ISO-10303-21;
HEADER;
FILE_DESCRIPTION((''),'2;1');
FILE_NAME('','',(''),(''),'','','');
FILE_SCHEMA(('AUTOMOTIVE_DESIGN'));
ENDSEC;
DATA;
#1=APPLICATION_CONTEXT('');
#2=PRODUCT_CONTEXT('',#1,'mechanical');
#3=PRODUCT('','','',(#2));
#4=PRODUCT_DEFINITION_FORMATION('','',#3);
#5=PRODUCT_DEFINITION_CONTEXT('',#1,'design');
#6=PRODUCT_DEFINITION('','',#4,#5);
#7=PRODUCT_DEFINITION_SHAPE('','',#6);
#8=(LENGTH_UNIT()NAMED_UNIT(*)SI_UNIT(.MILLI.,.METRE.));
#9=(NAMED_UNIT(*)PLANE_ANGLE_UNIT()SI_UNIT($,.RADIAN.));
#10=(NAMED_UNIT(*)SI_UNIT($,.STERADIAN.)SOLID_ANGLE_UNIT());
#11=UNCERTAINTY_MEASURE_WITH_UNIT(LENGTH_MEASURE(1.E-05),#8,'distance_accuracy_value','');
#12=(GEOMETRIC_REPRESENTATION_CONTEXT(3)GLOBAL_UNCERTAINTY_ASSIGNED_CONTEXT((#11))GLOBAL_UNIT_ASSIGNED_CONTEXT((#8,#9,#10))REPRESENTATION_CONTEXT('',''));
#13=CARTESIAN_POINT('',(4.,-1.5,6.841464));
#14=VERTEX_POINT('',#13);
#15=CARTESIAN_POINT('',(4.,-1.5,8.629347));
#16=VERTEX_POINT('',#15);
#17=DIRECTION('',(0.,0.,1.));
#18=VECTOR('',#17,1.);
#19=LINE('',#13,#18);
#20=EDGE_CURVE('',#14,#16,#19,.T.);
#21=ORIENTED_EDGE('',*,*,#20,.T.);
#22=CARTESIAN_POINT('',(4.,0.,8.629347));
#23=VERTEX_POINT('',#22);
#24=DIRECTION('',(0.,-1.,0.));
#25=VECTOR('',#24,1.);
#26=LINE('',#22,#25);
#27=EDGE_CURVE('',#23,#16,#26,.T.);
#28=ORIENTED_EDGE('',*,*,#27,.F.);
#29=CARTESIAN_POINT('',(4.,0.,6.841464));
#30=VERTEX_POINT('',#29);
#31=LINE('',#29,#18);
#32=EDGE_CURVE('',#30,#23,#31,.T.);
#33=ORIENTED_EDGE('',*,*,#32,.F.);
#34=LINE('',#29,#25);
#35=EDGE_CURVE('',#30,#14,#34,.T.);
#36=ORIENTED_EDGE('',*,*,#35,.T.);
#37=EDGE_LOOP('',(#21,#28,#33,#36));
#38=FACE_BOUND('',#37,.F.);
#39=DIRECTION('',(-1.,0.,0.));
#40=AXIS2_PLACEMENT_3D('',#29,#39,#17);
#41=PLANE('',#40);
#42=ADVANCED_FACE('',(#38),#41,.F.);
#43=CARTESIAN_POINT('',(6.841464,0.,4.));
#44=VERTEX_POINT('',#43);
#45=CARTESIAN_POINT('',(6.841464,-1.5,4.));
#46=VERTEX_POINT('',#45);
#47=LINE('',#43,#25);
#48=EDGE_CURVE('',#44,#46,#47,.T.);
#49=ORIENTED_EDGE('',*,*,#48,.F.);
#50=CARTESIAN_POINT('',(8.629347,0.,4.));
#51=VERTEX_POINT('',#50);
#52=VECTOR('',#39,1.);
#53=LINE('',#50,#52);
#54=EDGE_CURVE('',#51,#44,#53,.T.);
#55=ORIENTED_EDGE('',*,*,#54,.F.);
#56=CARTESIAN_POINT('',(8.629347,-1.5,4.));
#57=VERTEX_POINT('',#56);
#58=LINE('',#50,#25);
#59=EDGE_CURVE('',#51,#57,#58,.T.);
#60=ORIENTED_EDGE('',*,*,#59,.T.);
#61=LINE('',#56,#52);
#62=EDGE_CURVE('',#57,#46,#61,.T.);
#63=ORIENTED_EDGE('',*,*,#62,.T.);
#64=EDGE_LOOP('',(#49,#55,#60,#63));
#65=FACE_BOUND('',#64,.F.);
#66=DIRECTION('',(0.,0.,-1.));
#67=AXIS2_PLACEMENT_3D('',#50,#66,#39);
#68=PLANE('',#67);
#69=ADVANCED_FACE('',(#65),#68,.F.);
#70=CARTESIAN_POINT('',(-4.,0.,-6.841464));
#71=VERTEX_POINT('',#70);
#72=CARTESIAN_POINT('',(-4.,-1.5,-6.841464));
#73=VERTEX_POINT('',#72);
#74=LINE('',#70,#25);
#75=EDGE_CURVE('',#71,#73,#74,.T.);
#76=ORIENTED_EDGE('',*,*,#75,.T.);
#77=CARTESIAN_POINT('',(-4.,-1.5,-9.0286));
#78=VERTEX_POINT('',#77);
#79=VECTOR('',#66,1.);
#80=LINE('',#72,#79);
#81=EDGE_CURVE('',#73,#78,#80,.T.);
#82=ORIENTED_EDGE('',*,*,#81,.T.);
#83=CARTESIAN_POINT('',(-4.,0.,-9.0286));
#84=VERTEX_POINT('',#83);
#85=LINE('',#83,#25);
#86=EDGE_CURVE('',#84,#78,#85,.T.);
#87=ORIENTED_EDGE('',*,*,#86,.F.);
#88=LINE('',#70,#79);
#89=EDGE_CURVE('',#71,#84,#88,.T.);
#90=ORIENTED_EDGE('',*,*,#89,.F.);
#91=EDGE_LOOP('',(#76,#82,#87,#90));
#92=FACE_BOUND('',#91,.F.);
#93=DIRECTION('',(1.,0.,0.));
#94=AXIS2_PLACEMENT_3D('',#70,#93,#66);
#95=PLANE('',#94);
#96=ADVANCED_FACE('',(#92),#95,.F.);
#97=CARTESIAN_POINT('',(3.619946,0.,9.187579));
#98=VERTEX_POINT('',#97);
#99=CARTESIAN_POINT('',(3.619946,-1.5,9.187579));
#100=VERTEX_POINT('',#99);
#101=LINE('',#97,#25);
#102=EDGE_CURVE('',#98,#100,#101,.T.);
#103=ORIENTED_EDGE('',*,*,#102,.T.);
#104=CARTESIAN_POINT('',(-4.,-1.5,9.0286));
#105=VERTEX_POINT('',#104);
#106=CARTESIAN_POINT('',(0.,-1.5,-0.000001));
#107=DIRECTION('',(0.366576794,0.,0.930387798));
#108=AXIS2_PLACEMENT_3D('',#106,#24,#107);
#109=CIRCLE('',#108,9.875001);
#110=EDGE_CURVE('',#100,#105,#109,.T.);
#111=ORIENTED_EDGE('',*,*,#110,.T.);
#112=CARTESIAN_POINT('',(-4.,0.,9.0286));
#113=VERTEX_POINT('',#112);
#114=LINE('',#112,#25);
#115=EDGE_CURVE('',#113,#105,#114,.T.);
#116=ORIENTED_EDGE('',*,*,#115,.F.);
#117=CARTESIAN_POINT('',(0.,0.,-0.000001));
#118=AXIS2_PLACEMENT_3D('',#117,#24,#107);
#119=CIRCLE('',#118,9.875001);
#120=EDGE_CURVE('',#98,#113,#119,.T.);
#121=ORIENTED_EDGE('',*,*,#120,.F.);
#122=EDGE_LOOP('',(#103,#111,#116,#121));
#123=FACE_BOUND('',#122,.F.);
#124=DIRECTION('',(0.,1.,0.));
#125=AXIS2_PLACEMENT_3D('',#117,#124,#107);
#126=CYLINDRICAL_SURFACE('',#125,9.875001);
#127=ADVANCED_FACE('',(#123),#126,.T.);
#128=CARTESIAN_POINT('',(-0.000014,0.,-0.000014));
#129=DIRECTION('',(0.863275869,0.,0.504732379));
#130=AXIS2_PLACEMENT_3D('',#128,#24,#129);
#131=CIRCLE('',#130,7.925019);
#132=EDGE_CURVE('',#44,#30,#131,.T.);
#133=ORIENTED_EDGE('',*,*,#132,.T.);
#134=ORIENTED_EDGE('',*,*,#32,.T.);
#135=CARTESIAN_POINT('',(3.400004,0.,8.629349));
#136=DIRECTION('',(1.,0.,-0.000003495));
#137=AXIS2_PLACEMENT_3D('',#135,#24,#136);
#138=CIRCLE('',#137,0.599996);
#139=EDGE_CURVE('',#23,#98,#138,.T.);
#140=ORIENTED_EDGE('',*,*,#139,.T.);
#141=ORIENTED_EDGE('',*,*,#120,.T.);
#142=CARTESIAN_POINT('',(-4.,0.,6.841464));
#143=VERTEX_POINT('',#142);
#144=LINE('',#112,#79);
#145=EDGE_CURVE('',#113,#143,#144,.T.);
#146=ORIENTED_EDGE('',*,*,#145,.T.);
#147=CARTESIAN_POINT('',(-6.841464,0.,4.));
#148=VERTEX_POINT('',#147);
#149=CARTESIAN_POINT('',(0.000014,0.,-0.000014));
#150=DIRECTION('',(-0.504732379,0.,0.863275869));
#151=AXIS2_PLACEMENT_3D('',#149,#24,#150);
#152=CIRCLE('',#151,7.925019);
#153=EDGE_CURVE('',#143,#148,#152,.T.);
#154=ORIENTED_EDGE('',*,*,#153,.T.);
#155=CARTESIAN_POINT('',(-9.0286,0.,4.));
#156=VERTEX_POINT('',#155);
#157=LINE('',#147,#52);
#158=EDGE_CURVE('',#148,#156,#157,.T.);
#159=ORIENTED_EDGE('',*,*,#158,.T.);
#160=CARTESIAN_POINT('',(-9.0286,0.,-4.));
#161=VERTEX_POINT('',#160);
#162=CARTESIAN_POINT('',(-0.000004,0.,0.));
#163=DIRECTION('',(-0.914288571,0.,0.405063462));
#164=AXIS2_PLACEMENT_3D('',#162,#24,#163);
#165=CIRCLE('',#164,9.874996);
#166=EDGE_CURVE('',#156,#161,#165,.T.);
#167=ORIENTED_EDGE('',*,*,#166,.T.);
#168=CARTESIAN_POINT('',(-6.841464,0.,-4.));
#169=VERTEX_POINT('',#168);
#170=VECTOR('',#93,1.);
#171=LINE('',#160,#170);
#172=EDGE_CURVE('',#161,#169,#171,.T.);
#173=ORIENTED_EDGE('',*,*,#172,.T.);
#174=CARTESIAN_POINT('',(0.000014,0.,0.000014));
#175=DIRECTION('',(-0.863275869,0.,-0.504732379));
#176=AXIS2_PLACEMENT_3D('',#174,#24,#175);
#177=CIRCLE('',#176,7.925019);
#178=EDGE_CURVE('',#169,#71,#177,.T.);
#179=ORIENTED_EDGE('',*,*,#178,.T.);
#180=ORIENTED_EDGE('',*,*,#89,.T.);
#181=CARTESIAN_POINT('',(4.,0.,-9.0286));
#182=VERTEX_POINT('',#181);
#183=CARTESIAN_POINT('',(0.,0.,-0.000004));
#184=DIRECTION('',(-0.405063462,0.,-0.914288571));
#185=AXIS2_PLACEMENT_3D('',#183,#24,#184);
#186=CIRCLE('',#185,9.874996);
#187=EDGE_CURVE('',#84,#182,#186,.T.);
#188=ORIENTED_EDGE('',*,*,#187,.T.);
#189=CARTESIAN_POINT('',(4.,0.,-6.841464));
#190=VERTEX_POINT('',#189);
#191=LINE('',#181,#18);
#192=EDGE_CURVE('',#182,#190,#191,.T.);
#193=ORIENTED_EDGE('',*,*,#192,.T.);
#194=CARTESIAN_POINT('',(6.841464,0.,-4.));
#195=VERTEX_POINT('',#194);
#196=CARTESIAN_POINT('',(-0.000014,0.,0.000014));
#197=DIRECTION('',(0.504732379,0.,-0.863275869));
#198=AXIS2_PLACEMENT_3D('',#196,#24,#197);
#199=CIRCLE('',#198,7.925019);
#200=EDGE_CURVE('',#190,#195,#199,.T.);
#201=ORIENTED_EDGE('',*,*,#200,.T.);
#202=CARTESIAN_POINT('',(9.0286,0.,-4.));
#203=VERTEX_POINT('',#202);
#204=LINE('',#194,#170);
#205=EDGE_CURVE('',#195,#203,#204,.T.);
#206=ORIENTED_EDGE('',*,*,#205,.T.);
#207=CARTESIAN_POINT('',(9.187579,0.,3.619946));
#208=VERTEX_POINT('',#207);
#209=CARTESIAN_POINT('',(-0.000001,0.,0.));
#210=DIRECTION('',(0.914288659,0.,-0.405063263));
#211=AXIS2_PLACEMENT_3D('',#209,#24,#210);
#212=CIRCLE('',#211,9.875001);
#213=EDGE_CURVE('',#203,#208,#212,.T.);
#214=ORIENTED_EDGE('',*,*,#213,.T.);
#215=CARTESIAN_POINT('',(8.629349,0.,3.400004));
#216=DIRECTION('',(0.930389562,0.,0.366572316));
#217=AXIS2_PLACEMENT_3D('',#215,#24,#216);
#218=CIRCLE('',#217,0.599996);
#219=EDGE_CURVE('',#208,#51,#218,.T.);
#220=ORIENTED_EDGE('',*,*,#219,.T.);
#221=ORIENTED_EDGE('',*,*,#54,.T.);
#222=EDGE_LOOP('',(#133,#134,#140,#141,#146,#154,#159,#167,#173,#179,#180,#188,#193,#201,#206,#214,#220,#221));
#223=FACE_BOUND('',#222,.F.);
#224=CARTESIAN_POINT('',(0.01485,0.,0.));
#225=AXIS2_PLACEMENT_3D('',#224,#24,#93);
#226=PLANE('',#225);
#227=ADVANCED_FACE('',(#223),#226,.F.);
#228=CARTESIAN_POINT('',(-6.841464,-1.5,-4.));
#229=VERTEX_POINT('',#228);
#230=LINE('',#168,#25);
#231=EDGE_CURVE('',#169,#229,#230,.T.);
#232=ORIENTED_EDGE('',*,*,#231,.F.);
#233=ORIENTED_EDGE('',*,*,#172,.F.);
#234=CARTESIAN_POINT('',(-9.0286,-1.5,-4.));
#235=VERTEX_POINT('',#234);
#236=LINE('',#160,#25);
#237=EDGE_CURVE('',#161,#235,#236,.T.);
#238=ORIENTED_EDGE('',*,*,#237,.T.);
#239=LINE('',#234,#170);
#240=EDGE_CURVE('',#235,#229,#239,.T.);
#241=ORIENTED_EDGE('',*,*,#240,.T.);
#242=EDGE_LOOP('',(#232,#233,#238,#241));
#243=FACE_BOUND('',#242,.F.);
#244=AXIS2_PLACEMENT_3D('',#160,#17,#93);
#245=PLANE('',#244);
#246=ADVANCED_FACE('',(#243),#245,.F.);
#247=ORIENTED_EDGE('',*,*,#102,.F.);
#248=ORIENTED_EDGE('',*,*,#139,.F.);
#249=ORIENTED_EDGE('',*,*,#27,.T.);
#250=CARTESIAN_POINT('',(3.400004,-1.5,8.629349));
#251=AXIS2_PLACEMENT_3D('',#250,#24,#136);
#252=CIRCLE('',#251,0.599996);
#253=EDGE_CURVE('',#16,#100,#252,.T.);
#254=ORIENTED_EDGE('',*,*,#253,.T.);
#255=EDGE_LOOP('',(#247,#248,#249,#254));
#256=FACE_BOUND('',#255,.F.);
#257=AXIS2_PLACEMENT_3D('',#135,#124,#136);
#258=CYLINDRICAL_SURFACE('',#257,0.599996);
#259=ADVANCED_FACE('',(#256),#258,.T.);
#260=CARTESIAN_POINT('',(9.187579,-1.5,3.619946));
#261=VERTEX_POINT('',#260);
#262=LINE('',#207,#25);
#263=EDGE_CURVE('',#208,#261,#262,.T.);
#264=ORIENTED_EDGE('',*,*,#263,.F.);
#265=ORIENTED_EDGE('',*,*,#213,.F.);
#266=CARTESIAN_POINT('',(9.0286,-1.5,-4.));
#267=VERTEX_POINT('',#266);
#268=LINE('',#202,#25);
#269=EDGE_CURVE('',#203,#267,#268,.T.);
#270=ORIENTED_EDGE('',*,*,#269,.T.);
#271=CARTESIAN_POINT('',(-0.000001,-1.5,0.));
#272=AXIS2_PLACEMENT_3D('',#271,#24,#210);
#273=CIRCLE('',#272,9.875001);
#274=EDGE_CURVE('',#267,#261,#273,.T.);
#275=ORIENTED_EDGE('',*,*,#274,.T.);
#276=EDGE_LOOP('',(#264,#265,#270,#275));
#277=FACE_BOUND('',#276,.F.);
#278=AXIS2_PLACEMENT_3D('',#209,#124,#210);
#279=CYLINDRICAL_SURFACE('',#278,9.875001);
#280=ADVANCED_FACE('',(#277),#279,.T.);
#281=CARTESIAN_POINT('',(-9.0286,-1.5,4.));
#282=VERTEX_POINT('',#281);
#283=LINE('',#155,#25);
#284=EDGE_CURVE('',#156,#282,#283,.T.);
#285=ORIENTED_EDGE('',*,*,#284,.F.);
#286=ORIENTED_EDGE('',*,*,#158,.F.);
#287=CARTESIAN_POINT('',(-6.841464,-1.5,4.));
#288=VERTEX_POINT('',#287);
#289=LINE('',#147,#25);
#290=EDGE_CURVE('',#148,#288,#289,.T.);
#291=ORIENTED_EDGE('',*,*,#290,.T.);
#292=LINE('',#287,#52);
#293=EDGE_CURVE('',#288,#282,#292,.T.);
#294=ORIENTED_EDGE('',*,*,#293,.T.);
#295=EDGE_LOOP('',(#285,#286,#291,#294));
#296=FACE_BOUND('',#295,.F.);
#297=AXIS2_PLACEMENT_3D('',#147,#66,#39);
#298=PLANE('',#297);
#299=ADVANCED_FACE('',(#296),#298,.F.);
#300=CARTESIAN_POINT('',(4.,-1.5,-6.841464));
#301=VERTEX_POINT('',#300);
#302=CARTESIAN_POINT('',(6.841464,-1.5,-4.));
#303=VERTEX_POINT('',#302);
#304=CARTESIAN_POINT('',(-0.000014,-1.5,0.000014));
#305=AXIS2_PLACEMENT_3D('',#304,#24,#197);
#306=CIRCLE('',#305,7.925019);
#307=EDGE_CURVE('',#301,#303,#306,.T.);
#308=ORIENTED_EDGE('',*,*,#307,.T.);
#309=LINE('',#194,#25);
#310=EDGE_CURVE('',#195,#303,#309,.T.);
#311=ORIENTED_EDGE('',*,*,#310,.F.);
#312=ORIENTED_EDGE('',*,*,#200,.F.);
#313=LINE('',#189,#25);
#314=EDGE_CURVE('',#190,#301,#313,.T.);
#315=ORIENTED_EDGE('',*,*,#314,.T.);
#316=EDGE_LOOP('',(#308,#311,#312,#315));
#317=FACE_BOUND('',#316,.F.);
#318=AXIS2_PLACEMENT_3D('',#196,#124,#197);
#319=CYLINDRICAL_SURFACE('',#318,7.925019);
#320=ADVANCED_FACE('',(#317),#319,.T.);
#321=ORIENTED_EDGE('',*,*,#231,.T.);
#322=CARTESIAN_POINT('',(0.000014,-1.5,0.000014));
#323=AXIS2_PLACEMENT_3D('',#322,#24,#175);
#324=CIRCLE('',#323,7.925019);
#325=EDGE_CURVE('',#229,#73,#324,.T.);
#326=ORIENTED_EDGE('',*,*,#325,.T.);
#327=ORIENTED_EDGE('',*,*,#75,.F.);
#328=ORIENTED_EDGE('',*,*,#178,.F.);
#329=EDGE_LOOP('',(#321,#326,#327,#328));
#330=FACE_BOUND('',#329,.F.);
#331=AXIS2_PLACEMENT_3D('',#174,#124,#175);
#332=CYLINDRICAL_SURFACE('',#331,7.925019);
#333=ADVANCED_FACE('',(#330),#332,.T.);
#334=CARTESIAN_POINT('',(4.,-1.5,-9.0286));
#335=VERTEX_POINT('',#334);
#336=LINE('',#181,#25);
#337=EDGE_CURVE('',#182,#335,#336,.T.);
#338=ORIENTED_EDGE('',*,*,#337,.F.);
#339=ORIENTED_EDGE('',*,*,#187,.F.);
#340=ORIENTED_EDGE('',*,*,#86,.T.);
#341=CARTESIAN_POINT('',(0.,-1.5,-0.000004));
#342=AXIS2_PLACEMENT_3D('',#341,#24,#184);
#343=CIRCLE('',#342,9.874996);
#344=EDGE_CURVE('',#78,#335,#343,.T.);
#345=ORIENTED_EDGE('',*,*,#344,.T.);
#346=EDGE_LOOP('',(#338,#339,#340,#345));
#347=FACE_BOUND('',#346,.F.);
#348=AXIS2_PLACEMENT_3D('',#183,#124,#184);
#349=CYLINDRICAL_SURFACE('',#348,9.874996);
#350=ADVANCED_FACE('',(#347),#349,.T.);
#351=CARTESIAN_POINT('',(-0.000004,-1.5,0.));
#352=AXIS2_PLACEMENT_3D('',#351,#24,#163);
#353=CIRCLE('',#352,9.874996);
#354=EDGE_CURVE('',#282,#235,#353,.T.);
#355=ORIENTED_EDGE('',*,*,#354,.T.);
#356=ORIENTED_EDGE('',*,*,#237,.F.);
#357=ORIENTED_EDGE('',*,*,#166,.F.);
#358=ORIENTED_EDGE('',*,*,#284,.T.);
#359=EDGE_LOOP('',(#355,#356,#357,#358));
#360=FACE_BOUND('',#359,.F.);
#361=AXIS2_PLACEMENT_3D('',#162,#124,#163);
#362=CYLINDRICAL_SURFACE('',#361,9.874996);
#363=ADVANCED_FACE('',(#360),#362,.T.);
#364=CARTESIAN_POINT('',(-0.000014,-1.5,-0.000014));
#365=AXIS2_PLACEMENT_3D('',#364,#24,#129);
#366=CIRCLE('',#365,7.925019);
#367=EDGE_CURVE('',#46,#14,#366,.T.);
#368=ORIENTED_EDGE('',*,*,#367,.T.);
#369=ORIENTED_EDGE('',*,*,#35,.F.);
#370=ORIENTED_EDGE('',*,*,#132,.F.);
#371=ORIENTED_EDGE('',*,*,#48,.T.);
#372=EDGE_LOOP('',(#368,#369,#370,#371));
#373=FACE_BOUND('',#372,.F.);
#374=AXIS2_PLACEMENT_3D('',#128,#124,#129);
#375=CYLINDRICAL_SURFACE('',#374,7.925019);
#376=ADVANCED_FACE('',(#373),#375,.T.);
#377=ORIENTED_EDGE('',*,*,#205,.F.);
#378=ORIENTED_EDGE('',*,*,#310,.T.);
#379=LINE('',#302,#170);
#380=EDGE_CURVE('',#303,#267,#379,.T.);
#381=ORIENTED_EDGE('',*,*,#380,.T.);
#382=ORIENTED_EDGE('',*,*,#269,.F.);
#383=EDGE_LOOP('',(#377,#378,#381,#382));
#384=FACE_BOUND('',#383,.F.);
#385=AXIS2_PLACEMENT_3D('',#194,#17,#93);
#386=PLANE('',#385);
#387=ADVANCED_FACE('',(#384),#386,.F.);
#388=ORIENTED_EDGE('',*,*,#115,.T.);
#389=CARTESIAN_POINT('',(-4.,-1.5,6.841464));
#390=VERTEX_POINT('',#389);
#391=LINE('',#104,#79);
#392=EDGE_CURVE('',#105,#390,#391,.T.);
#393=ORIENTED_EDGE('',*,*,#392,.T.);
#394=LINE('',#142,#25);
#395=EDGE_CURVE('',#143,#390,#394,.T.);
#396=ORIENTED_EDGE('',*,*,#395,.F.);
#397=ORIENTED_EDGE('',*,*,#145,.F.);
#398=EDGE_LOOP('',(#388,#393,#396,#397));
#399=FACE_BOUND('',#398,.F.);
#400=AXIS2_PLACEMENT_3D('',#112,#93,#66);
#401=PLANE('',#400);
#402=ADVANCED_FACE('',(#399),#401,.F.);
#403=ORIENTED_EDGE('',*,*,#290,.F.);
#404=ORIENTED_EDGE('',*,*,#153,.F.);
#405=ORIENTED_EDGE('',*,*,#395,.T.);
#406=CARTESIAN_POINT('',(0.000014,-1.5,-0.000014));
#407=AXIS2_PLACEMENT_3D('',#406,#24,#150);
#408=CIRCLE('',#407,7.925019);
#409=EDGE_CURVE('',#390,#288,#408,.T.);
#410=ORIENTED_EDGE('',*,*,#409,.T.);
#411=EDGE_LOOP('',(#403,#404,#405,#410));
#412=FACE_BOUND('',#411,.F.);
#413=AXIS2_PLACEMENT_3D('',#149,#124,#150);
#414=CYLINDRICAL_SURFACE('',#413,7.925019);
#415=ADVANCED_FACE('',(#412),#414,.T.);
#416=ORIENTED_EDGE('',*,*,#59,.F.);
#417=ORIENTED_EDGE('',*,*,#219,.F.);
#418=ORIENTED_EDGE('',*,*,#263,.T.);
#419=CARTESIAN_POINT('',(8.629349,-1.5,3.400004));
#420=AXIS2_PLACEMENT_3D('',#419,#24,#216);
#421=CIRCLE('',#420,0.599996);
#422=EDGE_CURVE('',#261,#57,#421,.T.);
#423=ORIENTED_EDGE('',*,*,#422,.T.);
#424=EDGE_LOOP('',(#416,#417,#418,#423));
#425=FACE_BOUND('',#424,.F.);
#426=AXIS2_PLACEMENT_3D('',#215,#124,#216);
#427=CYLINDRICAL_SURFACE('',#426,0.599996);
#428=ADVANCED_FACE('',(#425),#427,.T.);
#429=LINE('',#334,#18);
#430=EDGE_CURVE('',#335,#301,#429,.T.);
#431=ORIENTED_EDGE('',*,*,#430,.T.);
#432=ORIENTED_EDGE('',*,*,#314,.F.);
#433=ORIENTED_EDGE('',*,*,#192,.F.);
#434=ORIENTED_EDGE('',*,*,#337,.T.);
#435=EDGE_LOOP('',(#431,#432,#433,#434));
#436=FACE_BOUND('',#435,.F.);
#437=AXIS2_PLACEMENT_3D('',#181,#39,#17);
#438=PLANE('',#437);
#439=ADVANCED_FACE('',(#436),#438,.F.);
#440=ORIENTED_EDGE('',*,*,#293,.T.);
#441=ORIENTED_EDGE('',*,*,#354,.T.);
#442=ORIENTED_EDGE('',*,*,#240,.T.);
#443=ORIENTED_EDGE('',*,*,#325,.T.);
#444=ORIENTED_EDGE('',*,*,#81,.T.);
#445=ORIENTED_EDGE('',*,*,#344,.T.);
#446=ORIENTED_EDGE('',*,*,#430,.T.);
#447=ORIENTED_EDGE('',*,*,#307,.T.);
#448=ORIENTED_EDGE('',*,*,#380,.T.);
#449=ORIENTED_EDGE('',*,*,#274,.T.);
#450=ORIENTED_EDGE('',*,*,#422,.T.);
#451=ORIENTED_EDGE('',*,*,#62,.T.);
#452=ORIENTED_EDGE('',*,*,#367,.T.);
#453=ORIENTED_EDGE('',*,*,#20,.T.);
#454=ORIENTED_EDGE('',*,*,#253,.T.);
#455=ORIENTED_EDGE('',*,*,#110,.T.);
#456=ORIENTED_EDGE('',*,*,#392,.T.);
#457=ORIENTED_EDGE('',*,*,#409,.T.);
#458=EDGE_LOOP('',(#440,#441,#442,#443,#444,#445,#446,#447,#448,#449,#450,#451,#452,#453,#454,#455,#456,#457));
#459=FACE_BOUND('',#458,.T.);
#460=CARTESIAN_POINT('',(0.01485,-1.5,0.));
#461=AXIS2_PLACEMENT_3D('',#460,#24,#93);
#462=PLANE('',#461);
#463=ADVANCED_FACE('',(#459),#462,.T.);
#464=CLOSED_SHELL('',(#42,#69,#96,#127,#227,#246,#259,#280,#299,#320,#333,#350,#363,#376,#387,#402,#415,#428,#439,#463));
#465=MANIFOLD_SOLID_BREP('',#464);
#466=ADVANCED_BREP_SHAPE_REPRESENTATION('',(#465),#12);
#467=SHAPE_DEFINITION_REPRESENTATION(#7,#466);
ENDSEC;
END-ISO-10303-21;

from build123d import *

# Parameters (mm, degrees)
F1_DEPTH = 1.5


with BuildPart() as f1:
    # F0 (on Front) → F1 (new body)
    with BuildSketch(Plane.XZ):
        with BuildLine():
            ThreePointArc((6.841464, -4), (7.649321, -2.072079), (7.925, 0))
            ThreePointArc((7.925, 0), (7.649321, 2.072079), (6.841464, 4))
            ThreePointArc((6.841464, 4), (5.603821, 5.603821), (4, 6.841464))
            ThreePointArc((4, 6.841464), (0, 7.925), (-4, 6.841464))
            ThreePointArc((-4, 6.841464), (-5.603821, 5.603821), (-6.841464, 4))
            ThreePointArc((-6.841464, 4), (-7.925, 0), (-6.841464, -4))
            ThreePointArc((-6.841464, -4), (-5.603821, -5.603821), (-4, -6.841464))
            ThreePointArc((-4, -6.841464), (0, -7.925), (4, -6.841464))
            ThreePointArc((4, -6.841464), (5.603821, -5.603821), (6.841464, -4))
        make_face()
        with BuildLine():
            ThreePointArc((-6.841464, -4), (-7.925, 0), (-6.841464, 4))
            Line((-6.841464, 4), (-9.0286, 4))
            ThreePointArc((-9.0286, 4), (-9.875, 0), (-9.0286, -4))
            Line((-9.0286, -4), (-6.841464, -4))
        make_face()
        with BuildLine():
            ThreePointArc((-4, 6.841464), (0, 7.925), (4, 6.841464))
            Line((4, 6.841464), (4, 8.629347))
            ThreePointArc((4, 8.629347), (3.895968, 8.96701), (3.619946, 9.187579))
            ThreePointArc((3.619946, 9.187579), (-0.205983, 9.872851), (-4, 9.0286))
            Line((-4, 9.0286), (-4, 6.841464))
        make_face()
        with BuildLine():
            Line((4, -9.0286), (4, -6.841464))
            ThreePointArc((4, -6.841464), (0, -7.925), (-4, -6.841464))
            Line((-4, -6.841464), (-4, -9.0286))
            ThreePointArc((-4, -9.0286), (0, -9.875), (4, -9.0286))
        make_face()
        with BuildLine():
            ThreePointArc((6.841464, 4), (7.649321, 2.072079), (7.925, 0))
            ThreePointArc((7.925, 0), (7.649321, -2.072079), (6.841464, -4))
            Line((6.841464, -4), (9.0286, -4))
            ThreePointArc((9.0286, -4), (9.872851, -0.205983), (9.187579, 3.619946))
            ThreePointArc((9.187579, 3.619946), (8.96701, 3.895968), (8.629347, 4))
            Line((8.629347, 4), (6.841464, 4))
        make_face()
    extrude(amount=F1_DEPTH)


solid = f1.part
